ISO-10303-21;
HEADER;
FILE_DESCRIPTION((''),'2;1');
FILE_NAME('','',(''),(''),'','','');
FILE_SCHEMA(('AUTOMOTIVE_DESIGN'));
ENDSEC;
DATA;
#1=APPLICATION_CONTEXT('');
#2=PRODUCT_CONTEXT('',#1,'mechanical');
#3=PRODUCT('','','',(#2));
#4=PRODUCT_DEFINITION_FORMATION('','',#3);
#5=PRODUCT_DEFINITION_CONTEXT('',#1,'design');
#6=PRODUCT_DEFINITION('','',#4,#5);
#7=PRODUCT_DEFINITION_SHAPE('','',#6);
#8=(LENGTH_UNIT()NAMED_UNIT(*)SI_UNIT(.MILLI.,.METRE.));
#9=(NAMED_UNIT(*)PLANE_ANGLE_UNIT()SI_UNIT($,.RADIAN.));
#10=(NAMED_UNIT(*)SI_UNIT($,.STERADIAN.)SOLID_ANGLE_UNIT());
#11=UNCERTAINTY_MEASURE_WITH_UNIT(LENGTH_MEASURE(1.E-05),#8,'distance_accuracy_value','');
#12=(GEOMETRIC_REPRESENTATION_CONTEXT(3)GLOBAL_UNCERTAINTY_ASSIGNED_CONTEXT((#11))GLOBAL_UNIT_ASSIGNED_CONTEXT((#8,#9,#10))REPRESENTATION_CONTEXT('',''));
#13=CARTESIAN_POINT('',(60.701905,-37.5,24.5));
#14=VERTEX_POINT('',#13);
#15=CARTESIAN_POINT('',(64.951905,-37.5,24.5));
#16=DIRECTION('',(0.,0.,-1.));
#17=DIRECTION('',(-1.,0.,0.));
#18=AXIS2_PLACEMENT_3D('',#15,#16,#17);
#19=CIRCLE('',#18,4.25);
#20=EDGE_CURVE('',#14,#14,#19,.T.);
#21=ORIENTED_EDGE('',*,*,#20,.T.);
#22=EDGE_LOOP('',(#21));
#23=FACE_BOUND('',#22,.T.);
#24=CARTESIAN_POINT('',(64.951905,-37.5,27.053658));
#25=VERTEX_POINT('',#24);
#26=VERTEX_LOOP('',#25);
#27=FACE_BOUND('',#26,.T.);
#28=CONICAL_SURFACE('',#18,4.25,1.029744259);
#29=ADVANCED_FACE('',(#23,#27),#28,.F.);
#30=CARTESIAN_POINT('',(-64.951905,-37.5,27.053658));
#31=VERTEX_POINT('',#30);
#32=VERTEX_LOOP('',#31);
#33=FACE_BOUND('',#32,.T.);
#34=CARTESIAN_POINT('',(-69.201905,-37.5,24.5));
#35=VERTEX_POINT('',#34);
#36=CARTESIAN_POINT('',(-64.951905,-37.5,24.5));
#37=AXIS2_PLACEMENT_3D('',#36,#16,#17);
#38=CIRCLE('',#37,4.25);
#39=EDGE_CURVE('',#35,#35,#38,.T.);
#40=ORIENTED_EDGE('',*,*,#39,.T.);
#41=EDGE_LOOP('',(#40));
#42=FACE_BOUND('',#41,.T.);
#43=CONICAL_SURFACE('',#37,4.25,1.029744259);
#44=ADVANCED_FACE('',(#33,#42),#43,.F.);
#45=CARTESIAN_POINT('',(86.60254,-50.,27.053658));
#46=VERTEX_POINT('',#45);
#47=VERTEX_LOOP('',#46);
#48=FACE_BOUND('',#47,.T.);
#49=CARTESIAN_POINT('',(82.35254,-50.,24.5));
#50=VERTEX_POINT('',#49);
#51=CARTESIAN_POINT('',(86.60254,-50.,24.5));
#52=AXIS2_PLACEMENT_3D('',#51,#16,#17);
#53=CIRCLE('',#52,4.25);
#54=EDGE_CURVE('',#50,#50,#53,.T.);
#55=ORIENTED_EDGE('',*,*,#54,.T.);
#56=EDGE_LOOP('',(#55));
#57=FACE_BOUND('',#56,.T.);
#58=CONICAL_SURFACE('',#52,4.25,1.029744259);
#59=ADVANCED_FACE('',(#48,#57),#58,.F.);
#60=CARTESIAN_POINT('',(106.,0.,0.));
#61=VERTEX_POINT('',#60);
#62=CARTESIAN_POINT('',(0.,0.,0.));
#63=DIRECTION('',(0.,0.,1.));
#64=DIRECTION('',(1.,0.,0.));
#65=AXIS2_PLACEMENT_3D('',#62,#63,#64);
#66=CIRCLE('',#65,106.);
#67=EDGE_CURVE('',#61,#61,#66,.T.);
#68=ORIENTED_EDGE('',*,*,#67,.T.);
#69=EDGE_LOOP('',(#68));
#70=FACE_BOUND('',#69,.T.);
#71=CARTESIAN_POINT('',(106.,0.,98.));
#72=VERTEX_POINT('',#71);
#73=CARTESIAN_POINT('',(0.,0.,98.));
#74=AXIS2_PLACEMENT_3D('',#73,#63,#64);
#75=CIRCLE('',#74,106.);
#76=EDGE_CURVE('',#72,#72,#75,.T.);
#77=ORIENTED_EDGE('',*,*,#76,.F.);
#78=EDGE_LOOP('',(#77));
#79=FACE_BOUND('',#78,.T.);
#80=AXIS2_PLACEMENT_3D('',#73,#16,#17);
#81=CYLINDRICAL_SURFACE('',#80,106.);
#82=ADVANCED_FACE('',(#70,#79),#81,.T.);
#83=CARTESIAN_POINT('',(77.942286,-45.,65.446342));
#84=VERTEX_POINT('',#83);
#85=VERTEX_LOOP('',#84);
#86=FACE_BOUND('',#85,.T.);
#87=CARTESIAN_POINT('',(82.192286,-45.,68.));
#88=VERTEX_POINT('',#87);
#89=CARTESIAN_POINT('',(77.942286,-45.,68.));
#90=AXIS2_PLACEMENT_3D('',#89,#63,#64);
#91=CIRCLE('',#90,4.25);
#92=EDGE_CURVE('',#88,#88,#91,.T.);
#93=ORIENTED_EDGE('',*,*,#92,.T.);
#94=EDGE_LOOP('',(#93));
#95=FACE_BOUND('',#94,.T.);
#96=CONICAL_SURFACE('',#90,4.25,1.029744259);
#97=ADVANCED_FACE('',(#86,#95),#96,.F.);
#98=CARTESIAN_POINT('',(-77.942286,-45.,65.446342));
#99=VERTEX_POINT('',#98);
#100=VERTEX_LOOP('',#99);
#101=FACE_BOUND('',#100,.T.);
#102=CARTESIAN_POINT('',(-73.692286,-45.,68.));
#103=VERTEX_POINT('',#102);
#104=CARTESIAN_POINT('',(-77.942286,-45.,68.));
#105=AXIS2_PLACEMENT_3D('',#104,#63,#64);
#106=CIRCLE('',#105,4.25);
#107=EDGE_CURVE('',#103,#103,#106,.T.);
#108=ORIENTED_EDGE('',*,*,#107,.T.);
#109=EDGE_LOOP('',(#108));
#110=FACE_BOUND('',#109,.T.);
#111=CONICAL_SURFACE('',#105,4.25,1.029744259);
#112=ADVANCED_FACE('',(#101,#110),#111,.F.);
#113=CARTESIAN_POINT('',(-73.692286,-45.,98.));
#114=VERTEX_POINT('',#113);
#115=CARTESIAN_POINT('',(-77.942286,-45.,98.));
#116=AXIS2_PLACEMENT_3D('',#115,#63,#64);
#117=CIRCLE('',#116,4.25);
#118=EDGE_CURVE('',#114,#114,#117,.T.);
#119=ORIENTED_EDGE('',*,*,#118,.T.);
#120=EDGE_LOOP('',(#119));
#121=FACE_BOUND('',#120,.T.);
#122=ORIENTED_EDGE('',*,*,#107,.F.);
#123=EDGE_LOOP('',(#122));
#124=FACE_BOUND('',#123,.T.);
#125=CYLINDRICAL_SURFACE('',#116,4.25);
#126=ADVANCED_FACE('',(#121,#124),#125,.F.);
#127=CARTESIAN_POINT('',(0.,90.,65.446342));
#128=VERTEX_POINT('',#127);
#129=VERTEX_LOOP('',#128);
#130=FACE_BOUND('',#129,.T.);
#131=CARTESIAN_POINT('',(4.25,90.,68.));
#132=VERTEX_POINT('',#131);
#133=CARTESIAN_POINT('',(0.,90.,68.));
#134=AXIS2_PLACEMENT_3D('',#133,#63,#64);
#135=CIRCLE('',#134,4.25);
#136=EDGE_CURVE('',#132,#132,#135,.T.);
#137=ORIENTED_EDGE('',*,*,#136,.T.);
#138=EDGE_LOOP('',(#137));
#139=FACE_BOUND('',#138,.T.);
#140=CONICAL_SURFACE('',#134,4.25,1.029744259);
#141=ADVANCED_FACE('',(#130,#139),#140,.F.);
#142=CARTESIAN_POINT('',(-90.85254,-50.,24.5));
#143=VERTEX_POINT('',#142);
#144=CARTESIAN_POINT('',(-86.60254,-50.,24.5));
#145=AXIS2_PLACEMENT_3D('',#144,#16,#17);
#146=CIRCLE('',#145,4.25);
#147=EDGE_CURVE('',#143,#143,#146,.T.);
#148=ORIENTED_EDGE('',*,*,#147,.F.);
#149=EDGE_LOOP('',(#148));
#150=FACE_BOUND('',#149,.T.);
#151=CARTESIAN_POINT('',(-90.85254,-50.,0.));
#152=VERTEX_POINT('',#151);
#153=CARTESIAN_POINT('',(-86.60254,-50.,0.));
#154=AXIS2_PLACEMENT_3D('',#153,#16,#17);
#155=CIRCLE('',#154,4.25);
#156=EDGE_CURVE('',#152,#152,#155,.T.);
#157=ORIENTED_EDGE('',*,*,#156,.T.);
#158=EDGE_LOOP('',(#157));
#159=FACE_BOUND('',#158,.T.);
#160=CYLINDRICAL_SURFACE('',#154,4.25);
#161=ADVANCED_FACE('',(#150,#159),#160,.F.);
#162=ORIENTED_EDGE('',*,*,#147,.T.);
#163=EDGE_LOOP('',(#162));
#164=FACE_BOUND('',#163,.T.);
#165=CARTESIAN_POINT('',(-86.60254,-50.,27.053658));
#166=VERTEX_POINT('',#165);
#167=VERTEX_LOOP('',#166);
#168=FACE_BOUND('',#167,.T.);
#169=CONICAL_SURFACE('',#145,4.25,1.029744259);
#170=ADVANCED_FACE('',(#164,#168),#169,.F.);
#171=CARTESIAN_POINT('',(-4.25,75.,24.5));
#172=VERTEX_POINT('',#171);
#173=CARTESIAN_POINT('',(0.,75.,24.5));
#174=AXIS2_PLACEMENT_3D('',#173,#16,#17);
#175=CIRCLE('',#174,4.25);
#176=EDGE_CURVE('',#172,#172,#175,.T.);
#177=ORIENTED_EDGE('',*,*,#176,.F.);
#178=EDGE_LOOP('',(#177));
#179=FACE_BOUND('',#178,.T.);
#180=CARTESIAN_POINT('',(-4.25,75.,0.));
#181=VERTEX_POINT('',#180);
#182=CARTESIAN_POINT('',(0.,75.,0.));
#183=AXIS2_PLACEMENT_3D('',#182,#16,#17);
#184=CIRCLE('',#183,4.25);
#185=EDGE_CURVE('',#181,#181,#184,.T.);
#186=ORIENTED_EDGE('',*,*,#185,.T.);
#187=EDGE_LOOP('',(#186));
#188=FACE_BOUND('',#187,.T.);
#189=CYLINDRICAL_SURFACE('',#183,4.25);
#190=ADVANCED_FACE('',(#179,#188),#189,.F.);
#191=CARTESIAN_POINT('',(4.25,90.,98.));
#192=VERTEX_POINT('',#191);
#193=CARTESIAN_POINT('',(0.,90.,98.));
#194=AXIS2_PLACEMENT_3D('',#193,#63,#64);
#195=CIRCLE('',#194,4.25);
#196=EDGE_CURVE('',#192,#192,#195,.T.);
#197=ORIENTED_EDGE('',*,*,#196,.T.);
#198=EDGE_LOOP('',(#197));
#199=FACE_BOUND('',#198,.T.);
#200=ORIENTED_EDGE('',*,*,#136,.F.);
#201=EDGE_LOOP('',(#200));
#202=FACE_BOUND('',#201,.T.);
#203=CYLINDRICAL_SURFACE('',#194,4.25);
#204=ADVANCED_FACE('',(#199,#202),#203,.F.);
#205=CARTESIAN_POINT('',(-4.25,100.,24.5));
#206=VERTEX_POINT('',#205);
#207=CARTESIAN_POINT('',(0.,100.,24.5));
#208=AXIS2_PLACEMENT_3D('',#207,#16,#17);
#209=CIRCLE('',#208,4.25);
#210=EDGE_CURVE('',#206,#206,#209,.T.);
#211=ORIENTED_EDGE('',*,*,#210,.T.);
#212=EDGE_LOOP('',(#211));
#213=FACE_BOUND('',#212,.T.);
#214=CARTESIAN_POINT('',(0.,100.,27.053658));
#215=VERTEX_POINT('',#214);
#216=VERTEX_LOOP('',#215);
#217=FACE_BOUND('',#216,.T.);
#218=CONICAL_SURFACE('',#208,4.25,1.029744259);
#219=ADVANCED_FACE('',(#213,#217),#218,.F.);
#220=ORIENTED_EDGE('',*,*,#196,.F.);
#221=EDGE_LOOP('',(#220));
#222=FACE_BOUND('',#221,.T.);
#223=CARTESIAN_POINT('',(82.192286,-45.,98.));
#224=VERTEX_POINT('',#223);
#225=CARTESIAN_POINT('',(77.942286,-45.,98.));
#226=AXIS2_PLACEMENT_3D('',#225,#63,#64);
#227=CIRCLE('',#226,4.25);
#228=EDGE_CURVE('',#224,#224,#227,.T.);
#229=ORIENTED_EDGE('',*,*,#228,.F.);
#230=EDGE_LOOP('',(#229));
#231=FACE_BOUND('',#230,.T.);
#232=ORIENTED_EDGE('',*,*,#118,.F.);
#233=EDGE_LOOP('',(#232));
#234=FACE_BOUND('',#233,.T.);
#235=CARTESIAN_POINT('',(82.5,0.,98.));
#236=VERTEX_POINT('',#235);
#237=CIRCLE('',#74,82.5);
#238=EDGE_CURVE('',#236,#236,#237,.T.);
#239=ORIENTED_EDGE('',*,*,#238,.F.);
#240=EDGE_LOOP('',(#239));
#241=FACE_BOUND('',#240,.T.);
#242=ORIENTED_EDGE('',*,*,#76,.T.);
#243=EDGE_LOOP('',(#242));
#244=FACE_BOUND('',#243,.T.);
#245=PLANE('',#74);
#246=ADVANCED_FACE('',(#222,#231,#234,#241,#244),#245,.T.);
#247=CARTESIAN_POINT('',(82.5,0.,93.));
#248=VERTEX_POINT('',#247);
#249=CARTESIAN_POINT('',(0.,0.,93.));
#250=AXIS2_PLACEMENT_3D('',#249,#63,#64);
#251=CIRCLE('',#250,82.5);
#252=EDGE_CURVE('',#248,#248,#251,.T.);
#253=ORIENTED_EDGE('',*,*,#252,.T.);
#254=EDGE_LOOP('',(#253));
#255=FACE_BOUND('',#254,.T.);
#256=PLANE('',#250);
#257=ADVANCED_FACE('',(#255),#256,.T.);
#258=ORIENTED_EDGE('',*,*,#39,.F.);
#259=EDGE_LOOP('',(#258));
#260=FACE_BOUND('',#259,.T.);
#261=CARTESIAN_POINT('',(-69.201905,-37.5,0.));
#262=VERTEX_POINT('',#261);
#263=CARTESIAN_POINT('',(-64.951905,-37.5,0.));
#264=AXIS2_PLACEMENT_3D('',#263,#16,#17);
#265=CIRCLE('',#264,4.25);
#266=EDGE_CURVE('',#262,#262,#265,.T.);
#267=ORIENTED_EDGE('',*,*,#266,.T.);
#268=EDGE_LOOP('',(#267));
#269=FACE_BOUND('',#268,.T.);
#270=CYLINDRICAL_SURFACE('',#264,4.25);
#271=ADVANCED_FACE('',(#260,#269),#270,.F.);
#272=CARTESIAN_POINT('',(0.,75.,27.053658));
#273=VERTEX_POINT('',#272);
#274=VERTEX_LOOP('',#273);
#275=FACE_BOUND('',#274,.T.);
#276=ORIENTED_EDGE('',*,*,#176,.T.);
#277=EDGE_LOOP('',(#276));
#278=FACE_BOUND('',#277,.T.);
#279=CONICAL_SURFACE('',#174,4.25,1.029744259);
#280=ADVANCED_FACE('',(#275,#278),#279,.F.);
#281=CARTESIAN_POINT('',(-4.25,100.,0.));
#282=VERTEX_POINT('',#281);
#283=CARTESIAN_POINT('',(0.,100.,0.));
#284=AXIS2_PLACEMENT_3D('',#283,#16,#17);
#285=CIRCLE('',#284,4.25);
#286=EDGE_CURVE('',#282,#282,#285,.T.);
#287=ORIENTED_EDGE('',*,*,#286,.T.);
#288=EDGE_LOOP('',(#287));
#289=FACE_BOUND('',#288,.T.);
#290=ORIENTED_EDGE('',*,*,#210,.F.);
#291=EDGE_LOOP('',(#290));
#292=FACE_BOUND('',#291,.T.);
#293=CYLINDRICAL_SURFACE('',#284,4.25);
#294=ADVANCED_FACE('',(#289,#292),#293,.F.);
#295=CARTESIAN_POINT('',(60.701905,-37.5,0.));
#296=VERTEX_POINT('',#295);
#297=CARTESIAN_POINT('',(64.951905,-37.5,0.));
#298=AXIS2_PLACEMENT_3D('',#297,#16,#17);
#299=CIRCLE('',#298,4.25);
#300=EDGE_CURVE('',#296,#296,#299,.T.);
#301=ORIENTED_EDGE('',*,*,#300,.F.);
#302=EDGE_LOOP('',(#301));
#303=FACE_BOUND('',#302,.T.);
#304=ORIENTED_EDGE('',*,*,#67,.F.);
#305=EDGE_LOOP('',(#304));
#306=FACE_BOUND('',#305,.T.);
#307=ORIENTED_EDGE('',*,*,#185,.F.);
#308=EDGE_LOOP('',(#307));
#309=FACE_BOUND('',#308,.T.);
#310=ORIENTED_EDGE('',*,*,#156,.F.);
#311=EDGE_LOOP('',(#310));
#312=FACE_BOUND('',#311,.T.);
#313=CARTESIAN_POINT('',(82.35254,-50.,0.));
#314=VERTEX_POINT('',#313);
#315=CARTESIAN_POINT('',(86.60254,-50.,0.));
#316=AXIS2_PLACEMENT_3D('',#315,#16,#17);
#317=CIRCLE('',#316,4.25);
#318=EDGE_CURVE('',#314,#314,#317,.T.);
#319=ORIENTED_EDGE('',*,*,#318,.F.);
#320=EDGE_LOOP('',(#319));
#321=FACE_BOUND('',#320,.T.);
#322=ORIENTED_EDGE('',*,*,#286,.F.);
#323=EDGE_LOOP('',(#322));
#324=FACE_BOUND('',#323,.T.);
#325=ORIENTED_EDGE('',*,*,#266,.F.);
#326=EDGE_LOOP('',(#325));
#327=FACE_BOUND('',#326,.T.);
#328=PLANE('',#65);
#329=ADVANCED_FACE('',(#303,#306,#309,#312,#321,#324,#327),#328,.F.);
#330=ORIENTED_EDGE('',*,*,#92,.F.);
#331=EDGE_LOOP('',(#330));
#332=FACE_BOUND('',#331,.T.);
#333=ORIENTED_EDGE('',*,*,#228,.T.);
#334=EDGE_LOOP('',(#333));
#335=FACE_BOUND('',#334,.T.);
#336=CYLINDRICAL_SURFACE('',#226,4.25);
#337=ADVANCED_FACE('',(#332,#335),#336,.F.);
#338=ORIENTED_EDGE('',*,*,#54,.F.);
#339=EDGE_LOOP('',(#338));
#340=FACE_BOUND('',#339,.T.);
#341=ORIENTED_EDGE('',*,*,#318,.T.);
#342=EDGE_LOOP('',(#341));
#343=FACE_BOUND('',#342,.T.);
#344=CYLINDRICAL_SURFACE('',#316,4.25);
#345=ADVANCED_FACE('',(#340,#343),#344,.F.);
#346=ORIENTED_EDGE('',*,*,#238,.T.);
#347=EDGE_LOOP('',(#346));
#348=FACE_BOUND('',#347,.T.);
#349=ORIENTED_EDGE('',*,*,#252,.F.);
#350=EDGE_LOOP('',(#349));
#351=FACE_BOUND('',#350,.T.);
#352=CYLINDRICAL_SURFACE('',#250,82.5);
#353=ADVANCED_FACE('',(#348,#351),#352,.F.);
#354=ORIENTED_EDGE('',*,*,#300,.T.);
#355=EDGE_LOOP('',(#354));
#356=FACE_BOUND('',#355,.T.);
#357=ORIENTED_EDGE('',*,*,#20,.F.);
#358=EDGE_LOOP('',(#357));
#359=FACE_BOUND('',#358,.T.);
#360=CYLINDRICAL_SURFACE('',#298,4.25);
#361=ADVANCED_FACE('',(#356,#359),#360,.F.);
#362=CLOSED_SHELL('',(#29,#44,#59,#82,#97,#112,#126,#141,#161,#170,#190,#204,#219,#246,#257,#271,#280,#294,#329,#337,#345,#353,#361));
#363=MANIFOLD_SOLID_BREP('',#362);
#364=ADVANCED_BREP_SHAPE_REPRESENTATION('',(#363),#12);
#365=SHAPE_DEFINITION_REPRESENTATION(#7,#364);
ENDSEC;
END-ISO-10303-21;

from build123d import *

# Parameters (mm, degrees)
SKETCH_1_R                   = 106
EXTRUDE_1_DEPTH              = 98
SKETCH_2_R                   = 82.5
CUT_EXTRUDE_1_DEPTH          = 5
PATTERN_CIRCULAR_1_COUNT     = 3
HOLE_WIZARD_M10_2_AT_2_COUNT = 2
HOLE_WIZARD_M10_2_AT_2_PITCH = 25
PATTERN_CIRCULAR_2_COUNT     = 3


with BuildPart() as part:
    # 草图1 → 凸台-拉伸1 (new body)
    with BuildSketch(Plane.XY):
        Circle(SKETCH_1_R)
    extrude(amount=EXTRUDE_1_DEPTH)

    # 草图2 → 切除-拉伸1 (cut)
    with BuildSketch(Plane.XY.offset(98)):
        Circle(SKETCH_2_R)
    extrude(amount=-CUT_EXTRUDE_1_DEPTH, mode=Mode.SUBTRACT)

    # 草图3 → M10 螺纹孔1 (revolve, cut)
    with BuildSketch(Plane(origin=(0, 90, 98), x_dir=(0, -1, 0), z_dir=(1, 0, 0))):
        Polygon((0, 0), (0, 32.553657631), (4.25, 30), (4.25, 0), align=None)
    hole_wizard_m10_1 = revolve(axis=Axis((0, 90, 104.35), (0, 0, -1)), mode=Mode.SUBTRACT)

    # 阵列(圆周)1: M10 螺纹孔1 ×3 about axis
    pattern_circular_1_axis = Axis((0, 0, 0), (0, 0, 1))
    for i in range(1, PATTERN_CIRCULAR_1_COUNT):
        add(hole_wizard_m10_1.rotate(pattern_circular_1_axis, i * 360 / PATTERN_CIRCULAR_1_COUNT), mode=Mode.SUBTRACT)

    # 草图5 → M10 螺纹孔2 (revolve, cut)
    with BuildSketch(Plane(origin=(0, 100, 0), x_dir=(0, 1, 0), z_dir=(1, 0, 0))):
        Polygon((0, 0), (0, 27.053657631), (4.25, 24.5), (4.25, 0), align=None)
    hole_wizard_m10_2 = revolve(axis=Axis((0, 100, -6.35), (0, 0, 1)), mode=Mode.SUBTRACT)

    # M10 螺纹孔2 at 2: M10 螺纹孔2 ×2
    with Locations(*[(0, -i * HOLE_WIZARD_M10_2_AT_2_PITCH, 0) for i in range(1, HOLE_WIZARD_M10_2_AT_2_COUNT)]):
        add(hole_wizard_m10_2, mode=Mode.SUBTRACT)

    # 阵列(圆周)2: M10 螺纹孔2 ×3 about axis
    pattern_circular_2_axis = Axis((0, 0, 0), (0, 0, 1))
    for i in range(1, PATTERN_CIRCULAR_2_COUNT):
        add(hole_wizard_m10_2.rotate(pattern_circular_2_axis, i * 360 / PATTERN_CIRCULAR_2_COUNT), mode=Mode.SUBTRACT)

    # 阵列(圆周)2 copy 1 sketch → 阵列(圆周)2 copy 1 (revolve, cut)
    with BuildSketch(Plane(origin=(-64.951905284, -37.5, 0), x_dir=(-0.8660254037844387, -0.4999999999999998, 0), z_dir=(-0.4999999999999998, 0.8660254037844387, 0))):
        Polygon((0, 0), (0, 27.053657631), (4.25, 24.5), (4.25, 0), align=None)
    revolve(axis=Axis((-64.951905284, -37.5, -6.35), (0, 0, 1)), mode=Mode.SUBTRACT)

    # 阵列(圆周)2 copy 2 sketch → 阵列(圆周)2 copy 2 (revolve, cut)
    with BuildSketch(Plane(origin=(64.951905284, -37.5, 0), x_dir=(0.8660254037844384, -0.5000000000000004, 0), z_dir=(-0.5000000000000004, -0.8660254037844384, 0))):
        Polygon((0, 0), (0, 27.053657631), (4.25, 24.5), (4.25, 0), align=None)
    revolve(axis=Axis((64.951905284, -37.5, -6.35), (0, 0, 1)), mode=Mode.SUBTRACT)


solid = part.part
